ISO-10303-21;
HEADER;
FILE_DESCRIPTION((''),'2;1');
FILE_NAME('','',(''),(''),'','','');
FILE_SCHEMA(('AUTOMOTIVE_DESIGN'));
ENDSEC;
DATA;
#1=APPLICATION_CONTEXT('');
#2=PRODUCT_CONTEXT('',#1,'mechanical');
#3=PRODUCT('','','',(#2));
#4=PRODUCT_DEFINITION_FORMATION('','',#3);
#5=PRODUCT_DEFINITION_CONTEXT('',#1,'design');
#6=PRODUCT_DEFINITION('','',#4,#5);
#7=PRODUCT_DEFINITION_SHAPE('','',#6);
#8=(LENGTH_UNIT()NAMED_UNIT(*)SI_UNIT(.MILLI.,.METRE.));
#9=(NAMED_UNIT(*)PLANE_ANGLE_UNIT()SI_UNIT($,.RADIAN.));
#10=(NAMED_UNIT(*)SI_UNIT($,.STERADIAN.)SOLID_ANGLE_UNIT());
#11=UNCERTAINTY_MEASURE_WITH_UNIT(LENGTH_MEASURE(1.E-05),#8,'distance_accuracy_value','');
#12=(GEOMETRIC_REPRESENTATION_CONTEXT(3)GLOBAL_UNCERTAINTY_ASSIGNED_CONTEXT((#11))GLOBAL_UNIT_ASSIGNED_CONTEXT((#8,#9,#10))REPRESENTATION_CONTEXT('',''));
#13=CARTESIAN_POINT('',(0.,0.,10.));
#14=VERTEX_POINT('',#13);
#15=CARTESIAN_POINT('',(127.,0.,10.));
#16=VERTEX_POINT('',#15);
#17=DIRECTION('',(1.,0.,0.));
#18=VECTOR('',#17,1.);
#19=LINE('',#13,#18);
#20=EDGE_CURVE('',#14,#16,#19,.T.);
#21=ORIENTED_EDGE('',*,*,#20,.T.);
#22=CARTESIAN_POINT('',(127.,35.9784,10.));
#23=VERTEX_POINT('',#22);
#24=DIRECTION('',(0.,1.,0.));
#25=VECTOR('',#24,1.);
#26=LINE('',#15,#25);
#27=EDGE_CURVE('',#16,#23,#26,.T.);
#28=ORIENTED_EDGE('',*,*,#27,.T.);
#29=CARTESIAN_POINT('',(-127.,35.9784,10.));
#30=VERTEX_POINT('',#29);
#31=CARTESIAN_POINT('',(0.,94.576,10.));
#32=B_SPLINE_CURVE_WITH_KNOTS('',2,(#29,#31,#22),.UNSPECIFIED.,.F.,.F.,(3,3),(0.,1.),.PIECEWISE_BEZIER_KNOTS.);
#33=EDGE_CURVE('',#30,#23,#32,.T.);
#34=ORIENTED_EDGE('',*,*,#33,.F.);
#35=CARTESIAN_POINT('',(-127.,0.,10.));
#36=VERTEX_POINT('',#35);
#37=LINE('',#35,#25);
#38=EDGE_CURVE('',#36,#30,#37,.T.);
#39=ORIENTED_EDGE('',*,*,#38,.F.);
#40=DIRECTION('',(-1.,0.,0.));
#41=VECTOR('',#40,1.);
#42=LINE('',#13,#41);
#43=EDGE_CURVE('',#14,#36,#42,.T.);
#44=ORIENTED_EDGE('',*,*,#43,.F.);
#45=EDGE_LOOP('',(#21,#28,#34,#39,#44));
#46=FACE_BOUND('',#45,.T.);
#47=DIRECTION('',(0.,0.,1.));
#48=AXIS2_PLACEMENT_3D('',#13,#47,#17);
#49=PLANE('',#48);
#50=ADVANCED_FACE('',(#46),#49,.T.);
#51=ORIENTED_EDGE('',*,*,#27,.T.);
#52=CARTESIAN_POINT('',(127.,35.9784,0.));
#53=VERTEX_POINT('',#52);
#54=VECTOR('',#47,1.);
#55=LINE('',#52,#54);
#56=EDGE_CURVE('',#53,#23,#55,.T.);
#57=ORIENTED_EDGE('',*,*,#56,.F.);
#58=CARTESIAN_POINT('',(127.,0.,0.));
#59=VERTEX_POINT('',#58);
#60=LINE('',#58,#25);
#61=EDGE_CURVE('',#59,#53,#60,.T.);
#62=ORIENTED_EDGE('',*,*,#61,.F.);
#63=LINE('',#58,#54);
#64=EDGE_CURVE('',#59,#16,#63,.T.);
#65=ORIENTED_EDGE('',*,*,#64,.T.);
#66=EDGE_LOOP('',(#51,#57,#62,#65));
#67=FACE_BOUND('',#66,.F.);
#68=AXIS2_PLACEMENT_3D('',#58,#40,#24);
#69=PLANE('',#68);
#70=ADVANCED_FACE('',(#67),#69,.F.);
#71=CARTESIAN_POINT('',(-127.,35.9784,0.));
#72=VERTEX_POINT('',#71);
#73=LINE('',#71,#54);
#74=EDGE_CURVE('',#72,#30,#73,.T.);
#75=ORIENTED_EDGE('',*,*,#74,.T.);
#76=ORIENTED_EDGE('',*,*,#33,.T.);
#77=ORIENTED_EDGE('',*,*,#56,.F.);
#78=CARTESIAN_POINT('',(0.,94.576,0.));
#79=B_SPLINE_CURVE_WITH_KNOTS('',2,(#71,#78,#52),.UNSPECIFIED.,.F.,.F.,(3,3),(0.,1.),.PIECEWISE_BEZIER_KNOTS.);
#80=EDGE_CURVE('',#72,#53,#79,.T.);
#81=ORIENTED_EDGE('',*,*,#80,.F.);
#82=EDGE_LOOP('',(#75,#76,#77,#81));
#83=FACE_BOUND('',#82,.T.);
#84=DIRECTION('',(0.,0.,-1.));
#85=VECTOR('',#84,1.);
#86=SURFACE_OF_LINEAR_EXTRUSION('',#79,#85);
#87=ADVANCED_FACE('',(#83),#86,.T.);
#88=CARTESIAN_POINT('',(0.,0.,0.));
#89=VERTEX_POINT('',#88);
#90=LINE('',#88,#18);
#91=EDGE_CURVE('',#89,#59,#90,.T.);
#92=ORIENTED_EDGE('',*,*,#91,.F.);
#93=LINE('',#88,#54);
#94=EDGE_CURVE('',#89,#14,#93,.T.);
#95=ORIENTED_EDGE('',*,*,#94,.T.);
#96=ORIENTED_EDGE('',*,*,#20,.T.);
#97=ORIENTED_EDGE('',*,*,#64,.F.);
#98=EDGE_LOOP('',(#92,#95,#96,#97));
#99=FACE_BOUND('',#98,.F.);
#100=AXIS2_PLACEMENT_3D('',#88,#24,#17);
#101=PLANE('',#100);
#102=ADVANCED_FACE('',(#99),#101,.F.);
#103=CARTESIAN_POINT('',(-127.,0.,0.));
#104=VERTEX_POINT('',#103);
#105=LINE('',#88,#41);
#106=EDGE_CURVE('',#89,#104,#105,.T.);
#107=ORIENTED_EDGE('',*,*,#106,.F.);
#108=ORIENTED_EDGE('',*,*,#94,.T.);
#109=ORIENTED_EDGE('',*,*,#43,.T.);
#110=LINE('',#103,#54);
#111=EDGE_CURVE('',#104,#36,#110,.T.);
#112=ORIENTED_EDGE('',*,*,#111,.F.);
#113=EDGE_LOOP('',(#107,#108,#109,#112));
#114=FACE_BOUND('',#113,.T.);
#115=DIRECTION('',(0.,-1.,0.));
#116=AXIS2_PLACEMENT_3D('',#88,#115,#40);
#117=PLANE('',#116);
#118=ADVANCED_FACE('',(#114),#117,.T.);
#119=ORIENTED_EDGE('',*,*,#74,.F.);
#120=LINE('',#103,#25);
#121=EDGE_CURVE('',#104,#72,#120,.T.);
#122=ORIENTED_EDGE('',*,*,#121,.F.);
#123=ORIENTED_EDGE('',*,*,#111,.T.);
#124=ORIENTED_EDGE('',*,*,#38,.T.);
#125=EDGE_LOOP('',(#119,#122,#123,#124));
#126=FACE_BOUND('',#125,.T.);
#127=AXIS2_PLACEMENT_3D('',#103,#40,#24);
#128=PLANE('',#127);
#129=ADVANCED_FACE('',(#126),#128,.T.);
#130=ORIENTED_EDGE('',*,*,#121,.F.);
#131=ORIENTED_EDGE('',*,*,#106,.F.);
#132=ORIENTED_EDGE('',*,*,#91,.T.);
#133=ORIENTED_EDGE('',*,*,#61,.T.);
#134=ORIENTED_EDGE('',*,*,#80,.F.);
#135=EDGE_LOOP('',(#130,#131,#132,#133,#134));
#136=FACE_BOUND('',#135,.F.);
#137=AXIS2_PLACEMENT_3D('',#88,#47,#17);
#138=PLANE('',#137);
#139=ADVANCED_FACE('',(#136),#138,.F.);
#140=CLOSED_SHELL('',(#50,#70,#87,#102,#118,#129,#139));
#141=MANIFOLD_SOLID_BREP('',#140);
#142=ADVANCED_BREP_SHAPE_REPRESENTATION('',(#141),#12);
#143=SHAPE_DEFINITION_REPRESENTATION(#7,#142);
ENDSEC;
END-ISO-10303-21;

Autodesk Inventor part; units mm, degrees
ref_plane "YZ Plane" through (0, 0, 0) normal (1, 0, 0) x (0, 1, 0)
ref_plane "XZ Plane" through (0, 0, 0) normal (0, 1, 0) x (-1, 0, 0)
ref_plane "XY Plane" through (0, 0, 0) normal (0, 0, 1) x (1, 0, 0)
sketch "Sketch2" plane through (0, 0, 0) normal (0, 0, 1) x (1, 0, 0)
  line L0 (0, 0) -> (-127, 0)
  line L1 (-127, 0) -> (-127, 35.9784)
  line L2 (0, 0) -> (127, 0)
  line L3 (127, 0) -> (127, 35.9784)
  spline S0 degree 2 poles (-127, 35.9784) (0, 94.576) (127, 35.9784) knots 0 0 0 1 1 1
  point P0 (0, 65.2772)
  dimension "d5" = 127
  dimension "d6" = 127
extrude "Extrusion1" add sketch "Sketch2" along normal blind 10
properties part number "Spar-Bulkhead"
